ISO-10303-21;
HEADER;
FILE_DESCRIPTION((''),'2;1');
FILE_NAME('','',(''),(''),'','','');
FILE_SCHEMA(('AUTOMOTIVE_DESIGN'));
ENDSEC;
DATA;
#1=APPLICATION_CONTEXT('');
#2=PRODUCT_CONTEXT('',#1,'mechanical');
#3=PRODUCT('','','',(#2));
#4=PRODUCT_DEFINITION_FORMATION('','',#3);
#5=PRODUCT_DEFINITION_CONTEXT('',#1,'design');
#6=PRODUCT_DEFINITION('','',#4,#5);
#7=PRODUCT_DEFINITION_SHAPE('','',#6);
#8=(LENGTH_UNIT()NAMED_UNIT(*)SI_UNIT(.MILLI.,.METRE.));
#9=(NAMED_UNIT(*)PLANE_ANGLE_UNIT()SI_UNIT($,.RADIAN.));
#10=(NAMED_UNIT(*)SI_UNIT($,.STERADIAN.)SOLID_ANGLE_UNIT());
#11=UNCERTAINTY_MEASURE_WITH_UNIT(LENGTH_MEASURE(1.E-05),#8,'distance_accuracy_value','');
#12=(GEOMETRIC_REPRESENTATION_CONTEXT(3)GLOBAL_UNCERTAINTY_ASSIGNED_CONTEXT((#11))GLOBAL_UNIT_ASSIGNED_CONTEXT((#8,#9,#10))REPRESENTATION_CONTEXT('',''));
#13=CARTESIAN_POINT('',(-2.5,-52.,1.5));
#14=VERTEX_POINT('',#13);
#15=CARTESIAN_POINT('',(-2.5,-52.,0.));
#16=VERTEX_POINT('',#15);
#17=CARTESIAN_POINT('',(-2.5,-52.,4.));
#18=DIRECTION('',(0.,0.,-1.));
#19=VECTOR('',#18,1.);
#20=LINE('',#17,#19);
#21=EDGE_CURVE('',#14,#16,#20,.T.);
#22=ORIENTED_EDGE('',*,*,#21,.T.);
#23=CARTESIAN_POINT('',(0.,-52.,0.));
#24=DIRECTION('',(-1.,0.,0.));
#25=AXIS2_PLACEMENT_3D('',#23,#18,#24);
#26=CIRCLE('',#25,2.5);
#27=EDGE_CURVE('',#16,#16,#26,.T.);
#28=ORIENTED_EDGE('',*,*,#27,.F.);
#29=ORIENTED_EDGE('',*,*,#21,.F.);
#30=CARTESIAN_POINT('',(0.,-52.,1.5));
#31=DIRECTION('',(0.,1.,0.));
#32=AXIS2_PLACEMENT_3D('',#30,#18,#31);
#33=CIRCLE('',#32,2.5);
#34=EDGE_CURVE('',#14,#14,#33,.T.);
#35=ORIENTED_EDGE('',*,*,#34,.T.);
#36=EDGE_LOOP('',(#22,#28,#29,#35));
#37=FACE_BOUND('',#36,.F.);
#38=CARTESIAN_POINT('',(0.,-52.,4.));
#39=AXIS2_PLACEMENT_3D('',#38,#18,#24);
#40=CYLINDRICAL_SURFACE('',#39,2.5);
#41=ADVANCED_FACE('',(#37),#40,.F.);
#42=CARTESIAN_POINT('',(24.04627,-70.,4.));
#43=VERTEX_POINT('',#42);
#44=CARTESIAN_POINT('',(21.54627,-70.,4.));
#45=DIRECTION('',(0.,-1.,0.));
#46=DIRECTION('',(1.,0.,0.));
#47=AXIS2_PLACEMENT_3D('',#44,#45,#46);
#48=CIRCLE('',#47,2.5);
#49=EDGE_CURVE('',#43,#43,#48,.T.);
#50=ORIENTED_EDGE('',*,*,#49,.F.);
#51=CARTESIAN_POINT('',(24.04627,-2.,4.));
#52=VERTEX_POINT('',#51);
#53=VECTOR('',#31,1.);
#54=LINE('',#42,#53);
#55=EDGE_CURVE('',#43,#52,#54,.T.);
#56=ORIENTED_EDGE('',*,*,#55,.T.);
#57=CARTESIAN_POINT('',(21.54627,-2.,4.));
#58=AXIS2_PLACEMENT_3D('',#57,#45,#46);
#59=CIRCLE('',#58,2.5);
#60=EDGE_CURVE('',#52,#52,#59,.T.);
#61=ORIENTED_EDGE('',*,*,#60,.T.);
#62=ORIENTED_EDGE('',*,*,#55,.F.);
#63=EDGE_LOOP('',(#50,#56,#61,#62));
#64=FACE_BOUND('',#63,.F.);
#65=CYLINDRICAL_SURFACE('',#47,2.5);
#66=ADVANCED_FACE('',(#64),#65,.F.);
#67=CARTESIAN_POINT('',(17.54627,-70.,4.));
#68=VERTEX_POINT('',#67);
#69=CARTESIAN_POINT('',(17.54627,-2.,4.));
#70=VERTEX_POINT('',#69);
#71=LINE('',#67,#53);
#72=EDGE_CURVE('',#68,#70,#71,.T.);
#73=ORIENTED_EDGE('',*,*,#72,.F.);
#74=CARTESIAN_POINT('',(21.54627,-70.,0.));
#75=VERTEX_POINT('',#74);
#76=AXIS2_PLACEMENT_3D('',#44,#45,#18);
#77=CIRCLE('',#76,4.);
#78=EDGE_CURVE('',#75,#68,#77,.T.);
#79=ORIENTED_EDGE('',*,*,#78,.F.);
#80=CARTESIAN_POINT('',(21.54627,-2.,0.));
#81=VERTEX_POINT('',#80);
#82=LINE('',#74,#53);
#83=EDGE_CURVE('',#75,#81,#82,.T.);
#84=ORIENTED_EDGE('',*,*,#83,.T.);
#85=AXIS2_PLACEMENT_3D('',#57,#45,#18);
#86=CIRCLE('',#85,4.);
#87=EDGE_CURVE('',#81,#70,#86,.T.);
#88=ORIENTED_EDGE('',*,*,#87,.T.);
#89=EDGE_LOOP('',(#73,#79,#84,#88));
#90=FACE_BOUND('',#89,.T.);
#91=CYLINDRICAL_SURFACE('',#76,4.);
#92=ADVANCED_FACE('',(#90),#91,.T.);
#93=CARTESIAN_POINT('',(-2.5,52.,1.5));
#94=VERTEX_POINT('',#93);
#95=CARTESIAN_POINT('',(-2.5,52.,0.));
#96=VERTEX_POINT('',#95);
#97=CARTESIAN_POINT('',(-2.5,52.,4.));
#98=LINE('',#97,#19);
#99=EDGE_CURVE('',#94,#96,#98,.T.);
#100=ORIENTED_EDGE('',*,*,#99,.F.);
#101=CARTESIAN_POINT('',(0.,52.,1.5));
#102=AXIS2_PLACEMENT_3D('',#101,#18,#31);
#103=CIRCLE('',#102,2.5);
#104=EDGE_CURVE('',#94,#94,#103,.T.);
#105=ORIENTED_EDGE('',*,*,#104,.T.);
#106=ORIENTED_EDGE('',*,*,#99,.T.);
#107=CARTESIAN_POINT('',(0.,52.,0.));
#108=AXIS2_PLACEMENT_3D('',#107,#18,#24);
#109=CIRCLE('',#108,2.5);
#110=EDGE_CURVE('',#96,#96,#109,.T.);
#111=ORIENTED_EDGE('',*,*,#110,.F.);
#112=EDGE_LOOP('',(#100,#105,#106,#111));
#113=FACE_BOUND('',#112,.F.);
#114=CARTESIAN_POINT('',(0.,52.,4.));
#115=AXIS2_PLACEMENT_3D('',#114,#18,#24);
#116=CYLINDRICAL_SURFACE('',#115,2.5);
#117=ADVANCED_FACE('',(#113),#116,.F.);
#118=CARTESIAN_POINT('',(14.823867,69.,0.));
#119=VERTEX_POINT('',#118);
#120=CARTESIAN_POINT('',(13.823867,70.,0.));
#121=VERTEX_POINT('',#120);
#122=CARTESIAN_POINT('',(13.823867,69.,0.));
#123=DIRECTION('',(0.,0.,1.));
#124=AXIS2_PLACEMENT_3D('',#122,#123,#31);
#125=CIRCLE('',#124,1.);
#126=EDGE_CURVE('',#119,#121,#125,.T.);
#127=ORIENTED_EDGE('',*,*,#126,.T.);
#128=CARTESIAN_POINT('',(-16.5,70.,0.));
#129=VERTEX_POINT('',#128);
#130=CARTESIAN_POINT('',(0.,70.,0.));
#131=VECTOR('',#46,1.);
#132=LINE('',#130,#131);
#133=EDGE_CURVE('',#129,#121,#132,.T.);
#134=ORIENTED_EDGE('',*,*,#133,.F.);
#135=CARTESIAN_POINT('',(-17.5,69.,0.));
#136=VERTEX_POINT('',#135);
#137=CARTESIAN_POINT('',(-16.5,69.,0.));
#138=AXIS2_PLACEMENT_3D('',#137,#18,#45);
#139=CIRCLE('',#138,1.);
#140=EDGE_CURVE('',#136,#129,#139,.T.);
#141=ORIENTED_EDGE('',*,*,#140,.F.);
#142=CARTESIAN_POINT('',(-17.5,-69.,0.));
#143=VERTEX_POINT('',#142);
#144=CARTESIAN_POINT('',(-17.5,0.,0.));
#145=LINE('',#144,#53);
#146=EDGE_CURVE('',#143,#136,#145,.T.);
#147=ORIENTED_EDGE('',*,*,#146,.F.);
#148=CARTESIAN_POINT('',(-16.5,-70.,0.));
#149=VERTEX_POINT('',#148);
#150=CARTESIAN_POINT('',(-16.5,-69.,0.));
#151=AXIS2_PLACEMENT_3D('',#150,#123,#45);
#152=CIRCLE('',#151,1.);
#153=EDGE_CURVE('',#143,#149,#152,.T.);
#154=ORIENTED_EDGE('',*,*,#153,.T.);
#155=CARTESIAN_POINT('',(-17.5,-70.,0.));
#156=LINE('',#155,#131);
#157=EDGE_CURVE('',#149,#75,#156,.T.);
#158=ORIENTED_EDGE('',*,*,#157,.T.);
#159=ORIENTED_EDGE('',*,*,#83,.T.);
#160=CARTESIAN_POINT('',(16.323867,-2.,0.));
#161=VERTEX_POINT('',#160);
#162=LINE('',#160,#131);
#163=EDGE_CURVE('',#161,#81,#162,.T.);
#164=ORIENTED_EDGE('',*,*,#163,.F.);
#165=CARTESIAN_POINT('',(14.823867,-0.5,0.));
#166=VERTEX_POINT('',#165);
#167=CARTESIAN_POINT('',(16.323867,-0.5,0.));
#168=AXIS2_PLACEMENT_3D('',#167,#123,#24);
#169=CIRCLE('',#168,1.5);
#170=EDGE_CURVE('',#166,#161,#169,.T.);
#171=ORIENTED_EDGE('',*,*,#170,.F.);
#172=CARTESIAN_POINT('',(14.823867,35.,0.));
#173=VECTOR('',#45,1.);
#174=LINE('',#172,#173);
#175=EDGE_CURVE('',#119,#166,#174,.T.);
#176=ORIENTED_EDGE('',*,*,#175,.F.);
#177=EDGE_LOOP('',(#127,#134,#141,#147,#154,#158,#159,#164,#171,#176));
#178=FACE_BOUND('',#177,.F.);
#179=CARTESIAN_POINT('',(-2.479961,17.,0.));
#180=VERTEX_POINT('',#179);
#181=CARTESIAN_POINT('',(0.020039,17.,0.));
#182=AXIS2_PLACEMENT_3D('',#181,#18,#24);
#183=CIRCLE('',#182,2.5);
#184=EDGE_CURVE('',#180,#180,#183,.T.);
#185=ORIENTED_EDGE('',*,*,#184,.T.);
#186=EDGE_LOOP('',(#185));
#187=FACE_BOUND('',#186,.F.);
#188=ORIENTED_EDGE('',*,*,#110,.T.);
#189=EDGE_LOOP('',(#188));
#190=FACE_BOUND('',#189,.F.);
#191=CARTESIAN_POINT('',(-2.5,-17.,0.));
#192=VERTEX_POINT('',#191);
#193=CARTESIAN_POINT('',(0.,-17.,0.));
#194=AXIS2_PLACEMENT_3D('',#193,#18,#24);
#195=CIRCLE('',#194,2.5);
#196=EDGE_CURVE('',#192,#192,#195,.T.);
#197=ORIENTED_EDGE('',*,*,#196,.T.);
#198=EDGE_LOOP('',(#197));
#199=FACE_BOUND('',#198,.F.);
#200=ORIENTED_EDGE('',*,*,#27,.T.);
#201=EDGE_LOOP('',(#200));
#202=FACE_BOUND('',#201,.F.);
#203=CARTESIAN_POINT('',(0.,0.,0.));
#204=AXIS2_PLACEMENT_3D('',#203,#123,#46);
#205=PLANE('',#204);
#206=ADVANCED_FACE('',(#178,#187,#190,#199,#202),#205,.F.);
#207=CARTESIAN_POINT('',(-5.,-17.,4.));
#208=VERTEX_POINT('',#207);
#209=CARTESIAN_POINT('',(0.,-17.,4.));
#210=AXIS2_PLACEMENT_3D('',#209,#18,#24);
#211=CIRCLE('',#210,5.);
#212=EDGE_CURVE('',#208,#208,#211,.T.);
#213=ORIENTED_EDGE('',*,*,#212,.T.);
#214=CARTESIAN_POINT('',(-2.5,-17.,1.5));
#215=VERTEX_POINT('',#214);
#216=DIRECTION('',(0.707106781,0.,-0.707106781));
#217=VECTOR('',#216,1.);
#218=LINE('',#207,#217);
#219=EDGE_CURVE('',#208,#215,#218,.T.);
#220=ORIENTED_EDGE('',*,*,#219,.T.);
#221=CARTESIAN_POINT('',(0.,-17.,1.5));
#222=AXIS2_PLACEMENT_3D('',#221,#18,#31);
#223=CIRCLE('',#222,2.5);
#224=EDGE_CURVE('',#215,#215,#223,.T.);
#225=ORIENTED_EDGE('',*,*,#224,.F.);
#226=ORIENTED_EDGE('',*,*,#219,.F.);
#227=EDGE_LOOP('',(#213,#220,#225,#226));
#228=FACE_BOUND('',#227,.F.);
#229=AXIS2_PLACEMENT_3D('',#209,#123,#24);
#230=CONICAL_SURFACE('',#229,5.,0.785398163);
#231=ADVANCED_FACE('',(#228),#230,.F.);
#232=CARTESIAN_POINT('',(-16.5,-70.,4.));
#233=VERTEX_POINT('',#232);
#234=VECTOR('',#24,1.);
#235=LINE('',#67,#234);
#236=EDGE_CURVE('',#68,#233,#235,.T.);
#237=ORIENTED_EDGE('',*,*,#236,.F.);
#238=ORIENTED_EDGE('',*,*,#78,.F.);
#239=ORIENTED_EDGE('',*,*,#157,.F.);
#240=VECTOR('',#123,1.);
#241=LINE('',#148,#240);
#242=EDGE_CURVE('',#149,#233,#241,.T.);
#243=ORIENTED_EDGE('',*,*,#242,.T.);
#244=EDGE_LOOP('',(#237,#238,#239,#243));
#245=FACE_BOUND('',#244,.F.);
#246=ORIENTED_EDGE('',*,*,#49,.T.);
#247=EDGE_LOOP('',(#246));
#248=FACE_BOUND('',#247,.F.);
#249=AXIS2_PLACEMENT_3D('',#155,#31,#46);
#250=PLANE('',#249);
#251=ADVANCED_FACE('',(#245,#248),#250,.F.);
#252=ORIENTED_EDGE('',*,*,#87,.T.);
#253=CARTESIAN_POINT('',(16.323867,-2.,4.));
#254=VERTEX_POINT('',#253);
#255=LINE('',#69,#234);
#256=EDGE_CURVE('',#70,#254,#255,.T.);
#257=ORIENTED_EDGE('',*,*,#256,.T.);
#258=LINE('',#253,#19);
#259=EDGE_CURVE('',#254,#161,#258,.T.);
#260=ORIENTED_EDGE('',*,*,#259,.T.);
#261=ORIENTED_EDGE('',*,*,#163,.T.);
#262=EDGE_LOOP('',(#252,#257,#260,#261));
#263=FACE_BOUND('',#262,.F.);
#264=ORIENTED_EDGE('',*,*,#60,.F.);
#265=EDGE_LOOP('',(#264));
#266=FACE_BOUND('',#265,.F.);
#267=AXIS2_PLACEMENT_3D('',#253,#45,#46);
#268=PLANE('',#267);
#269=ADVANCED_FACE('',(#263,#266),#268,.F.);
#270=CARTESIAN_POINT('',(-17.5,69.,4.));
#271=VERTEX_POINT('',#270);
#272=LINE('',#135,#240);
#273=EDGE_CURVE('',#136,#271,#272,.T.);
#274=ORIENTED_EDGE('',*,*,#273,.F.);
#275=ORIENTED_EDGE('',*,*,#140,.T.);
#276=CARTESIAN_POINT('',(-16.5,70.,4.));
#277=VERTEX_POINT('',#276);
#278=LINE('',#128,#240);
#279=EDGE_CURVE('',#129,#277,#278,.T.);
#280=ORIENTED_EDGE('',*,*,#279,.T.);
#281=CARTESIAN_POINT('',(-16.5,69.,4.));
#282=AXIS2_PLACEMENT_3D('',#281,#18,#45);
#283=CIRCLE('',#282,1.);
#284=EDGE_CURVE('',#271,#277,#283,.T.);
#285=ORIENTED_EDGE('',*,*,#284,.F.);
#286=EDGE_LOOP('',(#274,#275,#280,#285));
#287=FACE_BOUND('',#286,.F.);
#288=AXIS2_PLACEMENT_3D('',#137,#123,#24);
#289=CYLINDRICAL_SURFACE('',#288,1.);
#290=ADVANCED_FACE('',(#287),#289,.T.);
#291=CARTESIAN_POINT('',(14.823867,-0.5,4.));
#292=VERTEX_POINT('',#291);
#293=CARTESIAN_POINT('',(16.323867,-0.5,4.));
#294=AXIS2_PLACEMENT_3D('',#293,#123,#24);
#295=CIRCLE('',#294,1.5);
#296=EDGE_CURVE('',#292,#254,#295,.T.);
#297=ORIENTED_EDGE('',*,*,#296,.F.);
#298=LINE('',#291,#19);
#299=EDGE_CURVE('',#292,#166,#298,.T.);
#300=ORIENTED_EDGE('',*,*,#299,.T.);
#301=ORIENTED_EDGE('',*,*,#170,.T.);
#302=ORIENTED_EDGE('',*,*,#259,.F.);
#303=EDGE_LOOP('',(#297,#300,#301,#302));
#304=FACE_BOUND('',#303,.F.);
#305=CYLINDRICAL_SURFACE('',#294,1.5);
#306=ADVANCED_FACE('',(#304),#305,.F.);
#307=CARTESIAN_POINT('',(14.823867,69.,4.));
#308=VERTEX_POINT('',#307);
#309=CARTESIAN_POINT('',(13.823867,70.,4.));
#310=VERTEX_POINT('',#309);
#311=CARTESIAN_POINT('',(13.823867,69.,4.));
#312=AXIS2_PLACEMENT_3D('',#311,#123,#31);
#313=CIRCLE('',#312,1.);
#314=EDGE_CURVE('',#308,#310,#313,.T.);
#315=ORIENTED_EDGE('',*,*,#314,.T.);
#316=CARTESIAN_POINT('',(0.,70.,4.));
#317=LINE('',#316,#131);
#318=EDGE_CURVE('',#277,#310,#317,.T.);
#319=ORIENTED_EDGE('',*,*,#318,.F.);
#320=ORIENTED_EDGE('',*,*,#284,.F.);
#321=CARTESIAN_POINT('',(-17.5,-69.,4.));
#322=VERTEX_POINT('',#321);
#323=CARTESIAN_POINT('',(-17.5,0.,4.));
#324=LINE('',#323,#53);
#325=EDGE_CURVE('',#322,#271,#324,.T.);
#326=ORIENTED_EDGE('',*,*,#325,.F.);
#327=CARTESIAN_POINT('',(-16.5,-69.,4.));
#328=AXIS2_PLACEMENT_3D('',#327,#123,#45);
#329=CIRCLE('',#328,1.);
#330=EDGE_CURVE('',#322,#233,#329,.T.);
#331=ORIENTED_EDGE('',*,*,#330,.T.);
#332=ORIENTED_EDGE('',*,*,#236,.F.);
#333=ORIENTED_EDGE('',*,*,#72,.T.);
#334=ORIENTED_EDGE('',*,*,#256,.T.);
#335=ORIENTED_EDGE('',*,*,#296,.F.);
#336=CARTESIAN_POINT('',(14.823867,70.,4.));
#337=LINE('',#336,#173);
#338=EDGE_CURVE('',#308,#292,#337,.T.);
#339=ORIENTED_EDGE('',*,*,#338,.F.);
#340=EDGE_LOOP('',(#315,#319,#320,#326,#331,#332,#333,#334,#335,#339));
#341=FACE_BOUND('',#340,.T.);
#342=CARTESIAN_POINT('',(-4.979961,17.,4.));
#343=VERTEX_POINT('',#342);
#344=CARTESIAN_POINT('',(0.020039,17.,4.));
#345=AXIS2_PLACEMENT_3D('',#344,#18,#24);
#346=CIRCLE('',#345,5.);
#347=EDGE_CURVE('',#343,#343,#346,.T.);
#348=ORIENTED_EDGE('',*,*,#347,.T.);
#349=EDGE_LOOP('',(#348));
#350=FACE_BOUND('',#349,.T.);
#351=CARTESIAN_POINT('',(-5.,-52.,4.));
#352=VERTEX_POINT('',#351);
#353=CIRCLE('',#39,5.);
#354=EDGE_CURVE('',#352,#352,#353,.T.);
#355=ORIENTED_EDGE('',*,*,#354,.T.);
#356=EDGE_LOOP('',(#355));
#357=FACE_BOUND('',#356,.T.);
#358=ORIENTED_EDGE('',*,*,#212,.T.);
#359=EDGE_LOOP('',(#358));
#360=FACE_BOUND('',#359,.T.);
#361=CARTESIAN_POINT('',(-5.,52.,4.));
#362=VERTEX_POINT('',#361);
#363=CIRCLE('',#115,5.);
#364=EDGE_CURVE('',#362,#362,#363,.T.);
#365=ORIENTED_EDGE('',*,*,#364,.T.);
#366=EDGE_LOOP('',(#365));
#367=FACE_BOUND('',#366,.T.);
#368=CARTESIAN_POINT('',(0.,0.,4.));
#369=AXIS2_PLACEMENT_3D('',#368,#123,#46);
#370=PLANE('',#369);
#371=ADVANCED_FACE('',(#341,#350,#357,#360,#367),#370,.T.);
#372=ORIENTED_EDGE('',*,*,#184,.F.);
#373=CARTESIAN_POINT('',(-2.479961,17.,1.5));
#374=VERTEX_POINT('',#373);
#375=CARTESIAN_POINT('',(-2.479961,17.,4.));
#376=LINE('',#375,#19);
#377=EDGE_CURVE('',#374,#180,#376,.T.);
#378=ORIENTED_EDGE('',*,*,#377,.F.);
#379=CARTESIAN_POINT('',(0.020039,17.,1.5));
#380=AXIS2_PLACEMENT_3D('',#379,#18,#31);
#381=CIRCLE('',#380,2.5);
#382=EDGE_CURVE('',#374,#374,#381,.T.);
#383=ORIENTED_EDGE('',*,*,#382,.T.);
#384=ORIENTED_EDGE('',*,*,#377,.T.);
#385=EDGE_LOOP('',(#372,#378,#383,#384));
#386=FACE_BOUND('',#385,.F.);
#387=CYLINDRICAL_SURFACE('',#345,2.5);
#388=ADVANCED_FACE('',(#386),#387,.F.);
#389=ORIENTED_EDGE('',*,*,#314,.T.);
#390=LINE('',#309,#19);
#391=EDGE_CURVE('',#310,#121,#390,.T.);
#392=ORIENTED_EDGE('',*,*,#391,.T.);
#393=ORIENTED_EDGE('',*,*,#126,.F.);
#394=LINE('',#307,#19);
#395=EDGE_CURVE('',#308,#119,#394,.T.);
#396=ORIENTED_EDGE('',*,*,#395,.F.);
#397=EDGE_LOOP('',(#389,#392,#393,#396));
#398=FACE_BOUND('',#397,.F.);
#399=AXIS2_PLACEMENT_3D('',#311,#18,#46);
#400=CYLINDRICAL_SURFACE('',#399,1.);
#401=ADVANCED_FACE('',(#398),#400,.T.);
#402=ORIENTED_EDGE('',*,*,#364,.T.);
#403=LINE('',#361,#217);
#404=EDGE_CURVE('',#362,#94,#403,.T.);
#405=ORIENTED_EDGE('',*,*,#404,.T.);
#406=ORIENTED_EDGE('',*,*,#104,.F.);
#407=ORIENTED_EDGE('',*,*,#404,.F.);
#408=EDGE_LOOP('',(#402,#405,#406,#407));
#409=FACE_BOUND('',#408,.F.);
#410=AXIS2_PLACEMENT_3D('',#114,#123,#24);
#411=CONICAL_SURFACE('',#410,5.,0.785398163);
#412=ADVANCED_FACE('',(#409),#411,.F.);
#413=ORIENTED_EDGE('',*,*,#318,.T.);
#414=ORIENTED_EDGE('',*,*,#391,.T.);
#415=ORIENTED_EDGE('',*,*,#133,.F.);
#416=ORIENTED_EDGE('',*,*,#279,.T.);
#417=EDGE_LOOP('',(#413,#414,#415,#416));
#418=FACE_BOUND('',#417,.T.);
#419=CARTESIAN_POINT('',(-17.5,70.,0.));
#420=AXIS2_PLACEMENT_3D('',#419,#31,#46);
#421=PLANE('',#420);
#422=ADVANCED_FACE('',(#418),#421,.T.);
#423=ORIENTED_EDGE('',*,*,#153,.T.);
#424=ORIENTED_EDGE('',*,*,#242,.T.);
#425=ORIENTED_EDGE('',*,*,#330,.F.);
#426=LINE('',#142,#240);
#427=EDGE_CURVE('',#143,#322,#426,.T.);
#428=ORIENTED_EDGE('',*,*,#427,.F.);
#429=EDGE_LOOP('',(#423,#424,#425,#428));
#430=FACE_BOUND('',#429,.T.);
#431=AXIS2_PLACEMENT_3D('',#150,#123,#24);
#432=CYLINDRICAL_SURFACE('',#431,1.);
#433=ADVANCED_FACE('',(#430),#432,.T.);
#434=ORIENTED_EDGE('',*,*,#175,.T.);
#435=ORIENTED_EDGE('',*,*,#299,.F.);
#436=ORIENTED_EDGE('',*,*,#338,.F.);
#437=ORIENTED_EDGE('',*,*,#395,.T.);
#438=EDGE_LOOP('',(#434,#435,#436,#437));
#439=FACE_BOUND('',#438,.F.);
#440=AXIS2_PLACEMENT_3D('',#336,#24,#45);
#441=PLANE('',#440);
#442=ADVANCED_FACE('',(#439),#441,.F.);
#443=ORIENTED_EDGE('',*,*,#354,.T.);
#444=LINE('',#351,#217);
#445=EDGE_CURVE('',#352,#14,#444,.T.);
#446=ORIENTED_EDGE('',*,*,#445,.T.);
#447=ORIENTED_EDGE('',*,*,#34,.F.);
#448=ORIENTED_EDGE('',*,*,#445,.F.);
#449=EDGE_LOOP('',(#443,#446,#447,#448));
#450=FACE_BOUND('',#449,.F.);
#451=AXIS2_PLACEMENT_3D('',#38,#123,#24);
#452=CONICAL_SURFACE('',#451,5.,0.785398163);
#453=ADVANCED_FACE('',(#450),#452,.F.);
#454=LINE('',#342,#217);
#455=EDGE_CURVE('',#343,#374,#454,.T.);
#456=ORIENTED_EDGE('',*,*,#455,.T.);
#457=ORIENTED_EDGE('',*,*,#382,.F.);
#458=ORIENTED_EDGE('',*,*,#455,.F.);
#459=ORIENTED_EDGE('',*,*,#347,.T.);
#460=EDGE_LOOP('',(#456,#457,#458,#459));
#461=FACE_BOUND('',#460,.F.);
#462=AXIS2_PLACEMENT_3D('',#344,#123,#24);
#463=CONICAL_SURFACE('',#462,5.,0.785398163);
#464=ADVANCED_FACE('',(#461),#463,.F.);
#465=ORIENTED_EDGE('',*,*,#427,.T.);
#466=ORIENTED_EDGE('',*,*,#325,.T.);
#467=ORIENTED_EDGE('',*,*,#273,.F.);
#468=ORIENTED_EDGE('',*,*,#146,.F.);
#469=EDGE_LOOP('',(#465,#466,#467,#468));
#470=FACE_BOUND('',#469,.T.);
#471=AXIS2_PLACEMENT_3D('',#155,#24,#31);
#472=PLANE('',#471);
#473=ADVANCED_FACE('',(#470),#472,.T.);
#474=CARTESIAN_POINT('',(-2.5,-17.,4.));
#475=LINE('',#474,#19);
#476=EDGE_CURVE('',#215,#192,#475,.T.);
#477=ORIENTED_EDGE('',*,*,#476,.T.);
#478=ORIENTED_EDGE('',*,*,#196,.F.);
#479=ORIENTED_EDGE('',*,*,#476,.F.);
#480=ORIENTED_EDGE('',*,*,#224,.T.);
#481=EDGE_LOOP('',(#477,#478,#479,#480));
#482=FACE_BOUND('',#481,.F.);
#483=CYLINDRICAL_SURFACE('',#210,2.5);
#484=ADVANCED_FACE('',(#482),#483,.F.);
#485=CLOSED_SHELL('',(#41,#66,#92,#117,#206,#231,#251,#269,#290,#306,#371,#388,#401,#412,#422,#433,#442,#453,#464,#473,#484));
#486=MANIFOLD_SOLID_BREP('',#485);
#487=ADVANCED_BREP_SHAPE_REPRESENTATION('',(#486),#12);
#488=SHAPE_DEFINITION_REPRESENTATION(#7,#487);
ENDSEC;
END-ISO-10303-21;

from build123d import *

# Parameters (mm, degrees)
F0_W           = 35
F0_H           = 140
F1_DEPTH       = 4
F2_R           = 2.5
F3_DEPTH       = 68
F6_D           = 5
F6_CSINK_D     = 10
F6_CSINK_ANGLE = 90
F8_DEPTH       = 4.001
F9_R           = 1


with BuildPart() as f1:
    # F0 (on Top) → F1 (new body)
    with BuildSketch(Plane.XY):
        Rectangle(F0_W, F0_H)
    extrude(amount=F1_DEPTH)


with BuildPart() as f3:
    # F2 (on face) → F3 (new body)
    with BuildSketch(Plane.XZ.offset(70)):
        with BuildLine():
            Line((17.5, 4), (17.5, 0))
            Line((17.5, 0), (21.546269994, 0))
            ThreePointArc((21.546269994, 0), (24.3746971188, 6.8284271247), (17.546269994, 4))
            Line((17.546269994, 4), (17.5, 4))
        make_face()
        with Locations((21.546269994, 4)):
            Circle(F2_R, mode=Mode.SUBTRACT)
    extrude(amount=-F3_DEPTH)

    # F4: union F1
    add(f1.part)

    # F6 (through all)
    with Locations(Plane.XY.offset(4)):
        with Locations((0, -52), (0, -17), (0.0200391446, 17), (0, 52)):
            CounterSinkHole(F6_D / 2, F6_CSINK_D / 2, counter_sink_angle=F6_CSINK_ANGLE)

    # F7 (on face) → F8 (cut, through all)
    with BuildSketch(Plane.XY.offset(4)):
        with BuildLine():
            Line((17.5, 70), (14.8238670081, 70))
            Line((14.8238670081, 70), (14.8238670081, -0.5))
            ThreePointArc((14.8238670081, -0.5), (15.2632068363, -1.5606601718), (16.3238670081, -2))
            Line((16.3238670081, -2), (17.5, -2))
            Line((17.5, -2), (17.5, 70))
        make_face()
    extrude(amount=-F8_DEPTH, mode=Mode.SUBTRACT)

    # F9
    f9_edges = [f3.edges().sort_by_distance(p)[0] for p in [
        (-17.5, -70, 2),
        (-17.5, 70, 2),
        (14.823867, 70, 2),
    ]]
    fillet(f9_edges, radius=F9_R)


solid = f3.part
